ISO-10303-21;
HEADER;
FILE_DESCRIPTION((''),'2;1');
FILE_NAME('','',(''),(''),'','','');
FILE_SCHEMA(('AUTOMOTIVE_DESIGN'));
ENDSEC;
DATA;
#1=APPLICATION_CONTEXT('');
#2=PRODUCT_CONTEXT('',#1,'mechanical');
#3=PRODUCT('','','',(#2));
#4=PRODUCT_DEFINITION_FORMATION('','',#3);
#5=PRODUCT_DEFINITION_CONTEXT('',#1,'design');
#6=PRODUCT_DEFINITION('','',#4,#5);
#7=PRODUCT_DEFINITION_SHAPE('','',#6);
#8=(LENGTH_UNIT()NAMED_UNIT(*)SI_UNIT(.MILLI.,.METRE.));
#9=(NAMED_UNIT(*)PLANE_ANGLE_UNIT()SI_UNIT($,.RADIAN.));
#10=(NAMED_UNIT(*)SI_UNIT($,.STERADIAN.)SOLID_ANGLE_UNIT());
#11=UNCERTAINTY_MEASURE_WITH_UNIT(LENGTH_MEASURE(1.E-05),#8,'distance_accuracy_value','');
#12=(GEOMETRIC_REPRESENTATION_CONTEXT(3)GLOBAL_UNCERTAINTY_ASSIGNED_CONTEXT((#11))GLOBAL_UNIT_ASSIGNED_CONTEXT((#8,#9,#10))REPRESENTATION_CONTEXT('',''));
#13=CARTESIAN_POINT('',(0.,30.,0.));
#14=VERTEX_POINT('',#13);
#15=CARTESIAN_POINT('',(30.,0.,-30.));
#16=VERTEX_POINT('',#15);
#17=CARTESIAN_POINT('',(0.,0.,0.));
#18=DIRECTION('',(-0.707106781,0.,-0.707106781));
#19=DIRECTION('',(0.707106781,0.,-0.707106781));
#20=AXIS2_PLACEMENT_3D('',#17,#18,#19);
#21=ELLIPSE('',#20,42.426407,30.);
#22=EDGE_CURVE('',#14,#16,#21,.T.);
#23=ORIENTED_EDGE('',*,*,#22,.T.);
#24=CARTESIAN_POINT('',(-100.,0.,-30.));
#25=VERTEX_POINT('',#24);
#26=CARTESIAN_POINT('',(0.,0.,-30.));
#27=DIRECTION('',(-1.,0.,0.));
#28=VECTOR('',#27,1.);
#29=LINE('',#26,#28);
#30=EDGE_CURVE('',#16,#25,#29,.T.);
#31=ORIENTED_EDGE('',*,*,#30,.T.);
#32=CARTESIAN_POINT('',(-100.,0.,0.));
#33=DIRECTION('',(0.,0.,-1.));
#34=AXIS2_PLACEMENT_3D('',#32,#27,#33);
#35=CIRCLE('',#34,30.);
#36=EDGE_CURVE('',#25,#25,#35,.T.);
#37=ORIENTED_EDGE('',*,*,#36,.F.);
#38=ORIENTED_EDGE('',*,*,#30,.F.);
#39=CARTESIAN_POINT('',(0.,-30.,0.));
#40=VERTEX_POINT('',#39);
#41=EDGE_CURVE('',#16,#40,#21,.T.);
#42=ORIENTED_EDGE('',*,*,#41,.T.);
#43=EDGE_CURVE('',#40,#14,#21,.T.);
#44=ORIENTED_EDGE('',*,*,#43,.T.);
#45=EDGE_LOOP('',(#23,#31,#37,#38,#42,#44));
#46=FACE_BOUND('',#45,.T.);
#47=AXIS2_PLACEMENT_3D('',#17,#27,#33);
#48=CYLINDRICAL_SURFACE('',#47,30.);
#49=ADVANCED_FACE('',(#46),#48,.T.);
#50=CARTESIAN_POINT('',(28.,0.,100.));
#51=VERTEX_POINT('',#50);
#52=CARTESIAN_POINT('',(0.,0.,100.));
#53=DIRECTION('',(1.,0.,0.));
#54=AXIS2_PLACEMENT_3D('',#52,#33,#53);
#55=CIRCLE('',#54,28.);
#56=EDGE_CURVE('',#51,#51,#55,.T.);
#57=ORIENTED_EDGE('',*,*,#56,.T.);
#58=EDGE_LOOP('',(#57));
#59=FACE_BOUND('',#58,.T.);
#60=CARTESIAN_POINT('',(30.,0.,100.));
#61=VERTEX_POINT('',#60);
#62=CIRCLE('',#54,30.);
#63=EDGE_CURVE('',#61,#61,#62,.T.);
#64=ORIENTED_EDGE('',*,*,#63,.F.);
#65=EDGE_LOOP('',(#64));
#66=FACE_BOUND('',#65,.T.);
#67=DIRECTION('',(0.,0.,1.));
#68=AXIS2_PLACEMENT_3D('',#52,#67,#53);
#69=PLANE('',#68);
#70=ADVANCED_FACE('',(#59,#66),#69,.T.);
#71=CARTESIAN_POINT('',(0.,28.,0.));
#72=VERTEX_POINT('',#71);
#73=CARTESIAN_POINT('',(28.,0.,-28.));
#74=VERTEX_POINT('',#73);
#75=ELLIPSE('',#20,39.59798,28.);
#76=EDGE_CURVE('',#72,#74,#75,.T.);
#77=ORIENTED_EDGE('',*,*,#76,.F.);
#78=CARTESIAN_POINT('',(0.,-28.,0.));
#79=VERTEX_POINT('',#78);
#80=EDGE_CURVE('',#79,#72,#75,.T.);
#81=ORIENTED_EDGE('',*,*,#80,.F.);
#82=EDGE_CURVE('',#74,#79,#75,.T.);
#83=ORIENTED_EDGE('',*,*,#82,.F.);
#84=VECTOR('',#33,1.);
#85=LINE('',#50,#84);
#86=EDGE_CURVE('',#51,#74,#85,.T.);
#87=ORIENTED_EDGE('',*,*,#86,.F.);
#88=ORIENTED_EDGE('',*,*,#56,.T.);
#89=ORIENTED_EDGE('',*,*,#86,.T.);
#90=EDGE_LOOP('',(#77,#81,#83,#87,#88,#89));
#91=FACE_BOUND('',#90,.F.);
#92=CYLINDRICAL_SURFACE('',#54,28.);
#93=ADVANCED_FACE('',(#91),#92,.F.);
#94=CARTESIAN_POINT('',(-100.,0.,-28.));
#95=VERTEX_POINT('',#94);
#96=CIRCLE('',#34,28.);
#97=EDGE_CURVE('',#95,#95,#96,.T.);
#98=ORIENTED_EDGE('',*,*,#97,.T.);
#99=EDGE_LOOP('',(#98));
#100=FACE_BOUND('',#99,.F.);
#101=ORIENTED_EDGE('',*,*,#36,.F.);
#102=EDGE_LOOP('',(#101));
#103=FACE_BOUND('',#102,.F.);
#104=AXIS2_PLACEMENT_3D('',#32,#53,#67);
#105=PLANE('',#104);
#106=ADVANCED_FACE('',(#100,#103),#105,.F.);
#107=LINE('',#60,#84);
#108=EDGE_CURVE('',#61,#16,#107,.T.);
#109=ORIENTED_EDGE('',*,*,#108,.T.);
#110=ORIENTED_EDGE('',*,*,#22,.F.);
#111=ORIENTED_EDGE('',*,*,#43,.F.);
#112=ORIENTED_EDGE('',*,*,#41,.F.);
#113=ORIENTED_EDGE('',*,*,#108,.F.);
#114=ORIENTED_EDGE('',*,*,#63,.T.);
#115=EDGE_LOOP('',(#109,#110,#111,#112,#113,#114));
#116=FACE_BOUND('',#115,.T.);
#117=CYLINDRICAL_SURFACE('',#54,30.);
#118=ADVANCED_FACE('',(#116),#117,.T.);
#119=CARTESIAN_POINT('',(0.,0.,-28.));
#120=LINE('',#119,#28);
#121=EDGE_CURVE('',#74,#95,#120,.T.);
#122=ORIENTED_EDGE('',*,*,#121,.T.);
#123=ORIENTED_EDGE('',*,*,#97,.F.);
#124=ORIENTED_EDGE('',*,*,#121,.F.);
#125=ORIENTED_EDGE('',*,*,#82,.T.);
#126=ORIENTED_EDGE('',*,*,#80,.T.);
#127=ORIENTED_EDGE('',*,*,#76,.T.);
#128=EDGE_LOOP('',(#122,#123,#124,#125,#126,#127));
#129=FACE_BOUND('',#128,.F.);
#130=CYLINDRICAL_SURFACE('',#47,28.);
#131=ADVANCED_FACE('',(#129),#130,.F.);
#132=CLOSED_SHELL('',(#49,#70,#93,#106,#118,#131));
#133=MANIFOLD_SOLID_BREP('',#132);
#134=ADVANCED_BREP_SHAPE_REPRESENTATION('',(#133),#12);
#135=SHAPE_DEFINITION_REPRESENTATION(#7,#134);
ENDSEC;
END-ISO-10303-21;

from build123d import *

# Parameters (mm, degrees)
F2_R   = 30
F2_R_2 = 28


with BuildPart() as f3:
    # F3: sweep along a path in F0
    with BuildLine(Plane.XZ) as f3_path:
        Line((0, 100), (0, 0))
        Line((0, 0), (-100, 0))
    # F2 (on plane+point) → F3 (sweep)
    with BuildSketch(Plane.XY.offset(100)):
        Circle(F2_R)
        Circle(F2_R_2, mode=Mode.SUBTRACT)
    sweep(path=f3_path.line, transition=Transition.RIGHT)


solid = f3.part
